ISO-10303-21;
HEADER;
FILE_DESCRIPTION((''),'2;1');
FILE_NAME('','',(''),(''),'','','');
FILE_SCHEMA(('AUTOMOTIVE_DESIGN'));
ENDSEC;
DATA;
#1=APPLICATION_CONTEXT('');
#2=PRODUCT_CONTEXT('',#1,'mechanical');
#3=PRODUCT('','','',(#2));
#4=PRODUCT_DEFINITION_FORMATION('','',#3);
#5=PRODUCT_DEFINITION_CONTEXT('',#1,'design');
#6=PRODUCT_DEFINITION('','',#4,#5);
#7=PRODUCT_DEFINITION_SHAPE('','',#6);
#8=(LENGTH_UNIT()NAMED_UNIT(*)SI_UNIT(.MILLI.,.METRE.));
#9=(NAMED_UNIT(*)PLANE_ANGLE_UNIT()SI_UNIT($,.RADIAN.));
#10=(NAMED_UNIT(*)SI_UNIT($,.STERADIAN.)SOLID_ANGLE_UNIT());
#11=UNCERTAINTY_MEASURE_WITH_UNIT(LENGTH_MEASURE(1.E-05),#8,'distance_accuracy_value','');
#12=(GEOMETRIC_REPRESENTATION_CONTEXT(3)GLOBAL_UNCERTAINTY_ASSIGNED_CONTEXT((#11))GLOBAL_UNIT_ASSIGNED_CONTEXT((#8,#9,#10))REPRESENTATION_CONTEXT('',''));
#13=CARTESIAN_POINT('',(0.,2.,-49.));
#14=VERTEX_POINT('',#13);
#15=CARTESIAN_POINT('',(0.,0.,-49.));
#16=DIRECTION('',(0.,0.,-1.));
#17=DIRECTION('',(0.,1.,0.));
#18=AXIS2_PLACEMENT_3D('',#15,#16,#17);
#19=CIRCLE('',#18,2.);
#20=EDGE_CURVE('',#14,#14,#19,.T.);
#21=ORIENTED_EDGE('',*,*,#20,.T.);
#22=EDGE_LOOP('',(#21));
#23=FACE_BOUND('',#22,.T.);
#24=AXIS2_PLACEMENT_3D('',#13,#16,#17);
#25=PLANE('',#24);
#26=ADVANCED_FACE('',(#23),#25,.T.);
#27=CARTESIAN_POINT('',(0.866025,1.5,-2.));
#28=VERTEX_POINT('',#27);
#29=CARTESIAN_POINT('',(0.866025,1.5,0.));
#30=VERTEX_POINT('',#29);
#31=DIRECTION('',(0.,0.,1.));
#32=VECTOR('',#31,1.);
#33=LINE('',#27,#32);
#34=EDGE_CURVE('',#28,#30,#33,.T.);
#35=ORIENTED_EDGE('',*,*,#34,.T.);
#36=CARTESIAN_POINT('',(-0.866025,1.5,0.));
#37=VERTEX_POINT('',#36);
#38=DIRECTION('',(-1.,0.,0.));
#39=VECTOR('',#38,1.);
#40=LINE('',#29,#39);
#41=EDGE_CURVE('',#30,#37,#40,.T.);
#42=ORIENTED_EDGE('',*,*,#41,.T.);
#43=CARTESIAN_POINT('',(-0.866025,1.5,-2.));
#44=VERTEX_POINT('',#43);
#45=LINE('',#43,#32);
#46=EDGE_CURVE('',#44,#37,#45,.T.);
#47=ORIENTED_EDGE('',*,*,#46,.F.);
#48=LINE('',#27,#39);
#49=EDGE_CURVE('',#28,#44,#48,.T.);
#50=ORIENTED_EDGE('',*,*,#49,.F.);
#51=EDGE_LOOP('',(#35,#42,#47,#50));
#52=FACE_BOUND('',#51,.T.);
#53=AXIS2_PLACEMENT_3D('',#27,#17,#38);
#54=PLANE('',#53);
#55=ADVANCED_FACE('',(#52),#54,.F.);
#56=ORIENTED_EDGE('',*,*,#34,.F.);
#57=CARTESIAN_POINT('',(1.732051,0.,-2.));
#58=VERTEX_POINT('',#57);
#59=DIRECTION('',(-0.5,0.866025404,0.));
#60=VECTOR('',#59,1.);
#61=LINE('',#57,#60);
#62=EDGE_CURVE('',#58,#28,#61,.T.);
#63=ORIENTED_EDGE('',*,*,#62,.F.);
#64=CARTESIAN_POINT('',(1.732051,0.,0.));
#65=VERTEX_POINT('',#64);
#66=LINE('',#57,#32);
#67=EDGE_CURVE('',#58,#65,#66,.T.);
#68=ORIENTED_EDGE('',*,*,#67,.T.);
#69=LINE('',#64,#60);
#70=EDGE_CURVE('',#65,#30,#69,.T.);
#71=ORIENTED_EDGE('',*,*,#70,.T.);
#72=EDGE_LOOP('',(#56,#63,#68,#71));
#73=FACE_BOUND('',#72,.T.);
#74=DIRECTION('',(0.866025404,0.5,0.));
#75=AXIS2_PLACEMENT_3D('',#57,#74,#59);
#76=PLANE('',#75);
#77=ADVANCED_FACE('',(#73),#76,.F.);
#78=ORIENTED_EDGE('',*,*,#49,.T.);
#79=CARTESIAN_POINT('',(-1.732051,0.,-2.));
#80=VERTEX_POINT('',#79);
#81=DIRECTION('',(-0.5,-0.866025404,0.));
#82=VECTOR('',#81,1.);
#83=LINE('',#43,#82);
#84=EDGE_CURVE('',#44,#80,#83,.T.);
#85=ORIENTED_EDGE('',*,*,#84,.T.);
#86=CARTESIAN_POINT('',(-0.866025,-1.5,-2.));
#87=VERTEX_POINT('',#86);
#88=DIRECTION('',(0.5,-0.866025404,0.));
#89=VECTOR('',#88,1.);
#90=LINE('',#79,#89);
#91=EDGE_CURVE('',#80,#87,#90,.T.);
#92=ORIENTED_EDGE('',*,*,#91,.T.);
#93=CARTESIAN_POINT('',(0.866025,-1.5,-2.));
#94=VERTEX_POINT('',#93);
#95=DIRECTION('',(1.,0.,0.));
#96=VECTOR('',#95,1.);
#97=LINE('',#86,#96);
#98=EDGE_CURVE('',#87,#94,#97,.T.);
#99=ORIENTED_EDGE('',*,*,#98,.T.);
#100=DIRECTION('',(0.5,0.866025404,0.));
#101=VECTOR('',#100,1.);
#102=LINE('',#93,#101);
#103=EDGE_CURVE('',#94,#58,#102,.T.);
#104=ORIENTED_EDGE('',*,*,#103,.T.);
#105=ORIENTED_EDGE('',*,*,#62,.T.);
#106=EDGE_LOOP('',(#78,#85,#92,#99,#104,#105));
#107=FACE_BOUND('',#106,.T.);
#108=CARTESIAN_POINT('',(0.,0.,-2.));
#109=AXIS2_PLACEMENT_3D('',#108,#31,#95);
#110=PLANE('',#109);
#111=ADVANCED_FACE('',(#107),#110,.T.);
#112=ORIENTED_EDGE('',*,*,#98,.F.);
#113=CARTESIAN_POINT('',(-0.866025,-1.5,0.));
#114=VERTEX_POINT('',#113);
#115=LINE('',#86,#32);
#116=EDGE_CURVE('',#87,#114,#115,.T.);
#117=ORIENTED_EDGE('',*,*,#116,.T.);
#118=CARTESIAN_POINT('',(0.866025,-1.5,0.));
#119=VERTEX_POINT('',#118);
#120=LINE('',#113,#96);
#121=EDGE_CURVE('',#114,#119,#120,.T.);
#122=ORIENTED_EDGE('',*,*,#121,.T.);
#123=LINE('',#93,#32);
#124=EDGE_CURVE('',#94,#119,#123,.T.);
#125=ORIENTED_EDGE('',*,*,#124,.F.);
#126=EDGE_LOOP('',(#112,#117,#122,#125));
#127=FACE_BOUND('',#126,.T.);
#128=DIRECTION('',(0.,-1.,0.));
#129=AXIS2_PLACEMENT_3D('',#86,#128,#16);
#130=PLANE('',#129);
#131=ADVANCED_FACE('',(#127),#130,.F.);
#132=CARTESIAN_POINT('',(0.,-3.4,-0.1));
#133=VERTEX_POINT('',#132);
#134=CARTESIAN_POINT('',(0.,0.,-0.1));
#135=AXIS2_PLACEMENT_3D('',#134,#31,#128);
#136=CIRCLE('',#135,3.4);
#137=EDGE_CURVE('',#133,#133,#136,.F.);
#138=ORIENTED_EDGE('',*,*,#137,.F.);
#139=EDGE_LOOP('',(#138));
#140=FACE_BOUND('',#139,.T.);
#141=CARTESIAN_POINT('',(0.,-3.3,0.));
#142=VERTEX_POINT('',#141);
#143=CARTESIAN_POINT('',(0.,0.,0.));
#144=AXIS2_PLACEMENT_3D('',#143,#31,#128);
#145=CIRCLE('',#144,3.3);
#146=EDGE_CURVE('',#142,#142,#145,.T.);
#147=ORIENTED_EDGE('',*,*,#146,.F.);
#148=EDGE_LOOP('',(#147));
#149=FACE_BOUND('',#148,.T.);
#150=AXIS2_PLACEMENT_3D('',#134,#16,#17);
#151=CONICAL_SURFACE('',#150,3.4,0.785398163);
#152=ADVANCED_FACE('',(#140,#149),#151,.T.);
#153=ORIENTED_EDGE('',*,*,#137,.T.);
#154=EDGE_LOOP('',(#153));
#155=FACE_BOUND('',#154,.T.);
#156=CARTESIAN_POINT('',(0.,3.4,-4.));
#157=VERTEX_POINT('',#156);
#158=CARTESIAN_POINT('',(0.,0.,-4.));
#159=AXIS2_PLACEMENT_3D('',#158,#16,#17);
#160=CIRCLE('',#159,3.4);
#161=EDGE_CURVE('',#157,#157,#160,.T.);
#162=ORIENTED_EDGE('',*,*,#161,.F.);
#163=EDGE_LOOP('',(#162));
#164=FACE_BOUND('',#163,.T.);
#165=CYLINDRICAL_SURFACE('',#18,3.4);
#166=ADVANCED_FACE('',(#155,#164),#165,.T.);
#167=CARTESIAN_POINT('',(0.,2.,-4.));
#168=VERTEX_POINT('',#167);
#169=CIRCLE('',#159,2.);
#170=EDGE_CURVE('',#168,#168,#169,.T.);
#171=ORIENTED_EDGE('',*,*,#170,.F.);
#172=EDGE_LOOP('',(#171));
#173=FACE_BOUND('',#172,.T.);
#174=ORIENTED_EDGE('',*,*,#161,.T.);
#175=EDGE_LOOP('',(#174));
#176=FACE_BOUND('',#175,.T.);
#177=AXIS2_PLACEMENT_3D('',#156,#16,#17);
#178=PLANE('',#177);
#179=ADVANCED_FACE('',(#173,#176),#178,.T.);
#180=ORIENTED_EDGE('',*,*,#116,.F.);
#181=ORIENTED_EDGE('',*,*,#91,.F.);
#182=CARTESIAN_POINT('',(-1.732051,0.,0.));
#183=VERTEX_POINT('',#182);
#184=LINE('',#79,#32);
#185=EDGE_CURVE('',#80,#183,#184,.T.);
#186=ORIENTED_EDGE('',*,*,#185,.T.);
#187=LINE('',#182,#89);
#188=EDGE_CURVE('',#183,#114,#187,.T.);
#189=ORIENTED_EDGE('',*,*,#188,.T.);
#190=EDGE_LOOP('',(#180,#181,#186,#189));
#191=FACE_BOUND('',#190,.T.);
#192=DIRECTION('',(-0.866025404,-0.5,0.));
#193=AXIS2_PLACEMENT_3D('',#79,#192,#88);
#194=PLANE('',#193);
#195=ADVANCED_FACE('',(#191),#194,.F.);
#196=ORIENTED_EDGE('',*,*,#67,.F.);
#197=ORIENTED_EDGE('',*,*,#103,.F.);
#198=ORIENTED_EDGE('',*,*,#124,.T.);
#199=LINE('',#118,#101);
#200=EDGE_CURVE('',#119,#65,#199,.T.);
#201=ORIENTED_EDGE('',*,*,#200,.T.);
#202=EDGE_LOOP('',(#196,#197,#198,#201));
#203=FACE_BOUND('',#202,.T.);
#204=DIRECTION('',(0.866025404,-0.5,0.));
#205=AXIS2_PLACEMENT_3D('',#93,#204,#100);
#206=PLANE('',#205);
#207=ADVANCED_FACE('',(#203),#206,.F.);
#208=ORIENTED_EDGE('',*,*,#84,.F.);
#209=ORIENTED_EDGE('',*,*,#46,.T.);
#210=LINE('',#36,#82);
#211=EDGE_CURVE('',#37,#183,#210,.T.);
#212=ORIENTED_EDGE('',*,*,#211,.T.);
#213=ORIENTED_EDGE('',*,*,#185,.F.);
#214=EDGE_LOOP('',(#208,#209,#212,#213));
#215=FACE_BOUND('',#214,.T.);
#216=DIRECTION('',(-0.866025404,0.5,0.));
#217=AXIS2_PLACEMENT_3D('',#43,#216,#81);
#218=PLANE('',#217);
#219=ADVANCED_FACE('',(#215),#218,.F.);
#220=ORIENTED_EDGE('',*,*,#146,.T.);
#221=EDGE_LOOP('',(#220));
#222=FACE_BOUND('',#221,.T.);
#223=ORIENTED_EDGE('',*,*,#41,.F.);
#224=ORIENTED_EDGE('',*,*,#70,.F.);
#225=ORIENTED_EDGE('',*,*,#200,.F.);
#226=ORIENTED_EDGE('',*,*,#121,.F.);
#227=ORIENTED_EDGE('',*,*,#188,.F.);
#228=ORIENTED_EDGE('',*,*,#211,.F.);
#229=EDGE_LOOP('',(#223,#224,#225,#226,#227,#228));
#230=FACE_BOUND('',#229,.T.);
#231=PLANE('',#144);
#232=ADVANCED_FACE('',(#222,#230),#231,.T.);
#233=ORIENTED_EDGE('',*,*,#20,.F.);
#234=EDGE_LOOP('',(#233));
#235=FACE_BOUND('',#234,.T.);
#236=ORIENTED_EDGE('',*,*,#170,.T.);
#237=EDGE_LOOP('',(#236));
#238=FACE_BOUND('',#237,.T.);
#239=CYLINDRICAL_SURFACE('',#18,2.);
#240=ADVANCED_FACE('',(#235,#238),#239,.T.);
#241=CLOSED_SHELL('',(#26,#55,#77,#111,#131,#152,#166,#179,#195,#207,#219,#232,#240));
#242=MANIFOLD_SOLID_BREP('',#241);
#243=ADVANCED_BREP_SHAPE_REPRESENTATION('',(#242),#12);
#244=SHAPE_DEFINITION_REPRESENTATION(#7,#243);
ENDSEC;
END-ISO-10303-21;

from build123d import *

# Parameters (mm, degrees)
CUT_EXTRUDE_1_DEPTH = 2
CHAMFER_631_SIZE    = 0.1


with BuildPart() as part:
    # 草图1 → 旋转1 (revolve)
    with BuildSketch(Plane(origin=(0, 0, 0), x_dir=(0, 0, -1), z_dir=(1, 0, 0))):
        Polygon((0, 0), (0, 3.4), (4, 3.4), (4, 2), (49, 2), (49, 0), align=None)
    revolve(axis=Axis((0, 0, -49), (0, 0, 1)))

    # 草图2 → 切除-拉伸1 (cut)
    with BuildSketch(Plane.XY):
        Polygon((0.866025404, 1.5), (-0.866025404, 1.5), (-1.732050808, 0), (-0.866025404, -1.5), (0.866025404, -1.5), (1.732050808, 0), align=None)
    extrude(amount=-CUT_EXTRUDE_1_DEPTH, mode=Mode.SUBTRACT)

    # Chamfer 631
    chamfer_631_edges = [part.edges().sort_by_distance(p)[0] for p in [
        (0, -3.4, 0),
    ]]
    chamfer(chamfer_631_edges, length=CHAMFER_631_SIZE)


solid = part.part
